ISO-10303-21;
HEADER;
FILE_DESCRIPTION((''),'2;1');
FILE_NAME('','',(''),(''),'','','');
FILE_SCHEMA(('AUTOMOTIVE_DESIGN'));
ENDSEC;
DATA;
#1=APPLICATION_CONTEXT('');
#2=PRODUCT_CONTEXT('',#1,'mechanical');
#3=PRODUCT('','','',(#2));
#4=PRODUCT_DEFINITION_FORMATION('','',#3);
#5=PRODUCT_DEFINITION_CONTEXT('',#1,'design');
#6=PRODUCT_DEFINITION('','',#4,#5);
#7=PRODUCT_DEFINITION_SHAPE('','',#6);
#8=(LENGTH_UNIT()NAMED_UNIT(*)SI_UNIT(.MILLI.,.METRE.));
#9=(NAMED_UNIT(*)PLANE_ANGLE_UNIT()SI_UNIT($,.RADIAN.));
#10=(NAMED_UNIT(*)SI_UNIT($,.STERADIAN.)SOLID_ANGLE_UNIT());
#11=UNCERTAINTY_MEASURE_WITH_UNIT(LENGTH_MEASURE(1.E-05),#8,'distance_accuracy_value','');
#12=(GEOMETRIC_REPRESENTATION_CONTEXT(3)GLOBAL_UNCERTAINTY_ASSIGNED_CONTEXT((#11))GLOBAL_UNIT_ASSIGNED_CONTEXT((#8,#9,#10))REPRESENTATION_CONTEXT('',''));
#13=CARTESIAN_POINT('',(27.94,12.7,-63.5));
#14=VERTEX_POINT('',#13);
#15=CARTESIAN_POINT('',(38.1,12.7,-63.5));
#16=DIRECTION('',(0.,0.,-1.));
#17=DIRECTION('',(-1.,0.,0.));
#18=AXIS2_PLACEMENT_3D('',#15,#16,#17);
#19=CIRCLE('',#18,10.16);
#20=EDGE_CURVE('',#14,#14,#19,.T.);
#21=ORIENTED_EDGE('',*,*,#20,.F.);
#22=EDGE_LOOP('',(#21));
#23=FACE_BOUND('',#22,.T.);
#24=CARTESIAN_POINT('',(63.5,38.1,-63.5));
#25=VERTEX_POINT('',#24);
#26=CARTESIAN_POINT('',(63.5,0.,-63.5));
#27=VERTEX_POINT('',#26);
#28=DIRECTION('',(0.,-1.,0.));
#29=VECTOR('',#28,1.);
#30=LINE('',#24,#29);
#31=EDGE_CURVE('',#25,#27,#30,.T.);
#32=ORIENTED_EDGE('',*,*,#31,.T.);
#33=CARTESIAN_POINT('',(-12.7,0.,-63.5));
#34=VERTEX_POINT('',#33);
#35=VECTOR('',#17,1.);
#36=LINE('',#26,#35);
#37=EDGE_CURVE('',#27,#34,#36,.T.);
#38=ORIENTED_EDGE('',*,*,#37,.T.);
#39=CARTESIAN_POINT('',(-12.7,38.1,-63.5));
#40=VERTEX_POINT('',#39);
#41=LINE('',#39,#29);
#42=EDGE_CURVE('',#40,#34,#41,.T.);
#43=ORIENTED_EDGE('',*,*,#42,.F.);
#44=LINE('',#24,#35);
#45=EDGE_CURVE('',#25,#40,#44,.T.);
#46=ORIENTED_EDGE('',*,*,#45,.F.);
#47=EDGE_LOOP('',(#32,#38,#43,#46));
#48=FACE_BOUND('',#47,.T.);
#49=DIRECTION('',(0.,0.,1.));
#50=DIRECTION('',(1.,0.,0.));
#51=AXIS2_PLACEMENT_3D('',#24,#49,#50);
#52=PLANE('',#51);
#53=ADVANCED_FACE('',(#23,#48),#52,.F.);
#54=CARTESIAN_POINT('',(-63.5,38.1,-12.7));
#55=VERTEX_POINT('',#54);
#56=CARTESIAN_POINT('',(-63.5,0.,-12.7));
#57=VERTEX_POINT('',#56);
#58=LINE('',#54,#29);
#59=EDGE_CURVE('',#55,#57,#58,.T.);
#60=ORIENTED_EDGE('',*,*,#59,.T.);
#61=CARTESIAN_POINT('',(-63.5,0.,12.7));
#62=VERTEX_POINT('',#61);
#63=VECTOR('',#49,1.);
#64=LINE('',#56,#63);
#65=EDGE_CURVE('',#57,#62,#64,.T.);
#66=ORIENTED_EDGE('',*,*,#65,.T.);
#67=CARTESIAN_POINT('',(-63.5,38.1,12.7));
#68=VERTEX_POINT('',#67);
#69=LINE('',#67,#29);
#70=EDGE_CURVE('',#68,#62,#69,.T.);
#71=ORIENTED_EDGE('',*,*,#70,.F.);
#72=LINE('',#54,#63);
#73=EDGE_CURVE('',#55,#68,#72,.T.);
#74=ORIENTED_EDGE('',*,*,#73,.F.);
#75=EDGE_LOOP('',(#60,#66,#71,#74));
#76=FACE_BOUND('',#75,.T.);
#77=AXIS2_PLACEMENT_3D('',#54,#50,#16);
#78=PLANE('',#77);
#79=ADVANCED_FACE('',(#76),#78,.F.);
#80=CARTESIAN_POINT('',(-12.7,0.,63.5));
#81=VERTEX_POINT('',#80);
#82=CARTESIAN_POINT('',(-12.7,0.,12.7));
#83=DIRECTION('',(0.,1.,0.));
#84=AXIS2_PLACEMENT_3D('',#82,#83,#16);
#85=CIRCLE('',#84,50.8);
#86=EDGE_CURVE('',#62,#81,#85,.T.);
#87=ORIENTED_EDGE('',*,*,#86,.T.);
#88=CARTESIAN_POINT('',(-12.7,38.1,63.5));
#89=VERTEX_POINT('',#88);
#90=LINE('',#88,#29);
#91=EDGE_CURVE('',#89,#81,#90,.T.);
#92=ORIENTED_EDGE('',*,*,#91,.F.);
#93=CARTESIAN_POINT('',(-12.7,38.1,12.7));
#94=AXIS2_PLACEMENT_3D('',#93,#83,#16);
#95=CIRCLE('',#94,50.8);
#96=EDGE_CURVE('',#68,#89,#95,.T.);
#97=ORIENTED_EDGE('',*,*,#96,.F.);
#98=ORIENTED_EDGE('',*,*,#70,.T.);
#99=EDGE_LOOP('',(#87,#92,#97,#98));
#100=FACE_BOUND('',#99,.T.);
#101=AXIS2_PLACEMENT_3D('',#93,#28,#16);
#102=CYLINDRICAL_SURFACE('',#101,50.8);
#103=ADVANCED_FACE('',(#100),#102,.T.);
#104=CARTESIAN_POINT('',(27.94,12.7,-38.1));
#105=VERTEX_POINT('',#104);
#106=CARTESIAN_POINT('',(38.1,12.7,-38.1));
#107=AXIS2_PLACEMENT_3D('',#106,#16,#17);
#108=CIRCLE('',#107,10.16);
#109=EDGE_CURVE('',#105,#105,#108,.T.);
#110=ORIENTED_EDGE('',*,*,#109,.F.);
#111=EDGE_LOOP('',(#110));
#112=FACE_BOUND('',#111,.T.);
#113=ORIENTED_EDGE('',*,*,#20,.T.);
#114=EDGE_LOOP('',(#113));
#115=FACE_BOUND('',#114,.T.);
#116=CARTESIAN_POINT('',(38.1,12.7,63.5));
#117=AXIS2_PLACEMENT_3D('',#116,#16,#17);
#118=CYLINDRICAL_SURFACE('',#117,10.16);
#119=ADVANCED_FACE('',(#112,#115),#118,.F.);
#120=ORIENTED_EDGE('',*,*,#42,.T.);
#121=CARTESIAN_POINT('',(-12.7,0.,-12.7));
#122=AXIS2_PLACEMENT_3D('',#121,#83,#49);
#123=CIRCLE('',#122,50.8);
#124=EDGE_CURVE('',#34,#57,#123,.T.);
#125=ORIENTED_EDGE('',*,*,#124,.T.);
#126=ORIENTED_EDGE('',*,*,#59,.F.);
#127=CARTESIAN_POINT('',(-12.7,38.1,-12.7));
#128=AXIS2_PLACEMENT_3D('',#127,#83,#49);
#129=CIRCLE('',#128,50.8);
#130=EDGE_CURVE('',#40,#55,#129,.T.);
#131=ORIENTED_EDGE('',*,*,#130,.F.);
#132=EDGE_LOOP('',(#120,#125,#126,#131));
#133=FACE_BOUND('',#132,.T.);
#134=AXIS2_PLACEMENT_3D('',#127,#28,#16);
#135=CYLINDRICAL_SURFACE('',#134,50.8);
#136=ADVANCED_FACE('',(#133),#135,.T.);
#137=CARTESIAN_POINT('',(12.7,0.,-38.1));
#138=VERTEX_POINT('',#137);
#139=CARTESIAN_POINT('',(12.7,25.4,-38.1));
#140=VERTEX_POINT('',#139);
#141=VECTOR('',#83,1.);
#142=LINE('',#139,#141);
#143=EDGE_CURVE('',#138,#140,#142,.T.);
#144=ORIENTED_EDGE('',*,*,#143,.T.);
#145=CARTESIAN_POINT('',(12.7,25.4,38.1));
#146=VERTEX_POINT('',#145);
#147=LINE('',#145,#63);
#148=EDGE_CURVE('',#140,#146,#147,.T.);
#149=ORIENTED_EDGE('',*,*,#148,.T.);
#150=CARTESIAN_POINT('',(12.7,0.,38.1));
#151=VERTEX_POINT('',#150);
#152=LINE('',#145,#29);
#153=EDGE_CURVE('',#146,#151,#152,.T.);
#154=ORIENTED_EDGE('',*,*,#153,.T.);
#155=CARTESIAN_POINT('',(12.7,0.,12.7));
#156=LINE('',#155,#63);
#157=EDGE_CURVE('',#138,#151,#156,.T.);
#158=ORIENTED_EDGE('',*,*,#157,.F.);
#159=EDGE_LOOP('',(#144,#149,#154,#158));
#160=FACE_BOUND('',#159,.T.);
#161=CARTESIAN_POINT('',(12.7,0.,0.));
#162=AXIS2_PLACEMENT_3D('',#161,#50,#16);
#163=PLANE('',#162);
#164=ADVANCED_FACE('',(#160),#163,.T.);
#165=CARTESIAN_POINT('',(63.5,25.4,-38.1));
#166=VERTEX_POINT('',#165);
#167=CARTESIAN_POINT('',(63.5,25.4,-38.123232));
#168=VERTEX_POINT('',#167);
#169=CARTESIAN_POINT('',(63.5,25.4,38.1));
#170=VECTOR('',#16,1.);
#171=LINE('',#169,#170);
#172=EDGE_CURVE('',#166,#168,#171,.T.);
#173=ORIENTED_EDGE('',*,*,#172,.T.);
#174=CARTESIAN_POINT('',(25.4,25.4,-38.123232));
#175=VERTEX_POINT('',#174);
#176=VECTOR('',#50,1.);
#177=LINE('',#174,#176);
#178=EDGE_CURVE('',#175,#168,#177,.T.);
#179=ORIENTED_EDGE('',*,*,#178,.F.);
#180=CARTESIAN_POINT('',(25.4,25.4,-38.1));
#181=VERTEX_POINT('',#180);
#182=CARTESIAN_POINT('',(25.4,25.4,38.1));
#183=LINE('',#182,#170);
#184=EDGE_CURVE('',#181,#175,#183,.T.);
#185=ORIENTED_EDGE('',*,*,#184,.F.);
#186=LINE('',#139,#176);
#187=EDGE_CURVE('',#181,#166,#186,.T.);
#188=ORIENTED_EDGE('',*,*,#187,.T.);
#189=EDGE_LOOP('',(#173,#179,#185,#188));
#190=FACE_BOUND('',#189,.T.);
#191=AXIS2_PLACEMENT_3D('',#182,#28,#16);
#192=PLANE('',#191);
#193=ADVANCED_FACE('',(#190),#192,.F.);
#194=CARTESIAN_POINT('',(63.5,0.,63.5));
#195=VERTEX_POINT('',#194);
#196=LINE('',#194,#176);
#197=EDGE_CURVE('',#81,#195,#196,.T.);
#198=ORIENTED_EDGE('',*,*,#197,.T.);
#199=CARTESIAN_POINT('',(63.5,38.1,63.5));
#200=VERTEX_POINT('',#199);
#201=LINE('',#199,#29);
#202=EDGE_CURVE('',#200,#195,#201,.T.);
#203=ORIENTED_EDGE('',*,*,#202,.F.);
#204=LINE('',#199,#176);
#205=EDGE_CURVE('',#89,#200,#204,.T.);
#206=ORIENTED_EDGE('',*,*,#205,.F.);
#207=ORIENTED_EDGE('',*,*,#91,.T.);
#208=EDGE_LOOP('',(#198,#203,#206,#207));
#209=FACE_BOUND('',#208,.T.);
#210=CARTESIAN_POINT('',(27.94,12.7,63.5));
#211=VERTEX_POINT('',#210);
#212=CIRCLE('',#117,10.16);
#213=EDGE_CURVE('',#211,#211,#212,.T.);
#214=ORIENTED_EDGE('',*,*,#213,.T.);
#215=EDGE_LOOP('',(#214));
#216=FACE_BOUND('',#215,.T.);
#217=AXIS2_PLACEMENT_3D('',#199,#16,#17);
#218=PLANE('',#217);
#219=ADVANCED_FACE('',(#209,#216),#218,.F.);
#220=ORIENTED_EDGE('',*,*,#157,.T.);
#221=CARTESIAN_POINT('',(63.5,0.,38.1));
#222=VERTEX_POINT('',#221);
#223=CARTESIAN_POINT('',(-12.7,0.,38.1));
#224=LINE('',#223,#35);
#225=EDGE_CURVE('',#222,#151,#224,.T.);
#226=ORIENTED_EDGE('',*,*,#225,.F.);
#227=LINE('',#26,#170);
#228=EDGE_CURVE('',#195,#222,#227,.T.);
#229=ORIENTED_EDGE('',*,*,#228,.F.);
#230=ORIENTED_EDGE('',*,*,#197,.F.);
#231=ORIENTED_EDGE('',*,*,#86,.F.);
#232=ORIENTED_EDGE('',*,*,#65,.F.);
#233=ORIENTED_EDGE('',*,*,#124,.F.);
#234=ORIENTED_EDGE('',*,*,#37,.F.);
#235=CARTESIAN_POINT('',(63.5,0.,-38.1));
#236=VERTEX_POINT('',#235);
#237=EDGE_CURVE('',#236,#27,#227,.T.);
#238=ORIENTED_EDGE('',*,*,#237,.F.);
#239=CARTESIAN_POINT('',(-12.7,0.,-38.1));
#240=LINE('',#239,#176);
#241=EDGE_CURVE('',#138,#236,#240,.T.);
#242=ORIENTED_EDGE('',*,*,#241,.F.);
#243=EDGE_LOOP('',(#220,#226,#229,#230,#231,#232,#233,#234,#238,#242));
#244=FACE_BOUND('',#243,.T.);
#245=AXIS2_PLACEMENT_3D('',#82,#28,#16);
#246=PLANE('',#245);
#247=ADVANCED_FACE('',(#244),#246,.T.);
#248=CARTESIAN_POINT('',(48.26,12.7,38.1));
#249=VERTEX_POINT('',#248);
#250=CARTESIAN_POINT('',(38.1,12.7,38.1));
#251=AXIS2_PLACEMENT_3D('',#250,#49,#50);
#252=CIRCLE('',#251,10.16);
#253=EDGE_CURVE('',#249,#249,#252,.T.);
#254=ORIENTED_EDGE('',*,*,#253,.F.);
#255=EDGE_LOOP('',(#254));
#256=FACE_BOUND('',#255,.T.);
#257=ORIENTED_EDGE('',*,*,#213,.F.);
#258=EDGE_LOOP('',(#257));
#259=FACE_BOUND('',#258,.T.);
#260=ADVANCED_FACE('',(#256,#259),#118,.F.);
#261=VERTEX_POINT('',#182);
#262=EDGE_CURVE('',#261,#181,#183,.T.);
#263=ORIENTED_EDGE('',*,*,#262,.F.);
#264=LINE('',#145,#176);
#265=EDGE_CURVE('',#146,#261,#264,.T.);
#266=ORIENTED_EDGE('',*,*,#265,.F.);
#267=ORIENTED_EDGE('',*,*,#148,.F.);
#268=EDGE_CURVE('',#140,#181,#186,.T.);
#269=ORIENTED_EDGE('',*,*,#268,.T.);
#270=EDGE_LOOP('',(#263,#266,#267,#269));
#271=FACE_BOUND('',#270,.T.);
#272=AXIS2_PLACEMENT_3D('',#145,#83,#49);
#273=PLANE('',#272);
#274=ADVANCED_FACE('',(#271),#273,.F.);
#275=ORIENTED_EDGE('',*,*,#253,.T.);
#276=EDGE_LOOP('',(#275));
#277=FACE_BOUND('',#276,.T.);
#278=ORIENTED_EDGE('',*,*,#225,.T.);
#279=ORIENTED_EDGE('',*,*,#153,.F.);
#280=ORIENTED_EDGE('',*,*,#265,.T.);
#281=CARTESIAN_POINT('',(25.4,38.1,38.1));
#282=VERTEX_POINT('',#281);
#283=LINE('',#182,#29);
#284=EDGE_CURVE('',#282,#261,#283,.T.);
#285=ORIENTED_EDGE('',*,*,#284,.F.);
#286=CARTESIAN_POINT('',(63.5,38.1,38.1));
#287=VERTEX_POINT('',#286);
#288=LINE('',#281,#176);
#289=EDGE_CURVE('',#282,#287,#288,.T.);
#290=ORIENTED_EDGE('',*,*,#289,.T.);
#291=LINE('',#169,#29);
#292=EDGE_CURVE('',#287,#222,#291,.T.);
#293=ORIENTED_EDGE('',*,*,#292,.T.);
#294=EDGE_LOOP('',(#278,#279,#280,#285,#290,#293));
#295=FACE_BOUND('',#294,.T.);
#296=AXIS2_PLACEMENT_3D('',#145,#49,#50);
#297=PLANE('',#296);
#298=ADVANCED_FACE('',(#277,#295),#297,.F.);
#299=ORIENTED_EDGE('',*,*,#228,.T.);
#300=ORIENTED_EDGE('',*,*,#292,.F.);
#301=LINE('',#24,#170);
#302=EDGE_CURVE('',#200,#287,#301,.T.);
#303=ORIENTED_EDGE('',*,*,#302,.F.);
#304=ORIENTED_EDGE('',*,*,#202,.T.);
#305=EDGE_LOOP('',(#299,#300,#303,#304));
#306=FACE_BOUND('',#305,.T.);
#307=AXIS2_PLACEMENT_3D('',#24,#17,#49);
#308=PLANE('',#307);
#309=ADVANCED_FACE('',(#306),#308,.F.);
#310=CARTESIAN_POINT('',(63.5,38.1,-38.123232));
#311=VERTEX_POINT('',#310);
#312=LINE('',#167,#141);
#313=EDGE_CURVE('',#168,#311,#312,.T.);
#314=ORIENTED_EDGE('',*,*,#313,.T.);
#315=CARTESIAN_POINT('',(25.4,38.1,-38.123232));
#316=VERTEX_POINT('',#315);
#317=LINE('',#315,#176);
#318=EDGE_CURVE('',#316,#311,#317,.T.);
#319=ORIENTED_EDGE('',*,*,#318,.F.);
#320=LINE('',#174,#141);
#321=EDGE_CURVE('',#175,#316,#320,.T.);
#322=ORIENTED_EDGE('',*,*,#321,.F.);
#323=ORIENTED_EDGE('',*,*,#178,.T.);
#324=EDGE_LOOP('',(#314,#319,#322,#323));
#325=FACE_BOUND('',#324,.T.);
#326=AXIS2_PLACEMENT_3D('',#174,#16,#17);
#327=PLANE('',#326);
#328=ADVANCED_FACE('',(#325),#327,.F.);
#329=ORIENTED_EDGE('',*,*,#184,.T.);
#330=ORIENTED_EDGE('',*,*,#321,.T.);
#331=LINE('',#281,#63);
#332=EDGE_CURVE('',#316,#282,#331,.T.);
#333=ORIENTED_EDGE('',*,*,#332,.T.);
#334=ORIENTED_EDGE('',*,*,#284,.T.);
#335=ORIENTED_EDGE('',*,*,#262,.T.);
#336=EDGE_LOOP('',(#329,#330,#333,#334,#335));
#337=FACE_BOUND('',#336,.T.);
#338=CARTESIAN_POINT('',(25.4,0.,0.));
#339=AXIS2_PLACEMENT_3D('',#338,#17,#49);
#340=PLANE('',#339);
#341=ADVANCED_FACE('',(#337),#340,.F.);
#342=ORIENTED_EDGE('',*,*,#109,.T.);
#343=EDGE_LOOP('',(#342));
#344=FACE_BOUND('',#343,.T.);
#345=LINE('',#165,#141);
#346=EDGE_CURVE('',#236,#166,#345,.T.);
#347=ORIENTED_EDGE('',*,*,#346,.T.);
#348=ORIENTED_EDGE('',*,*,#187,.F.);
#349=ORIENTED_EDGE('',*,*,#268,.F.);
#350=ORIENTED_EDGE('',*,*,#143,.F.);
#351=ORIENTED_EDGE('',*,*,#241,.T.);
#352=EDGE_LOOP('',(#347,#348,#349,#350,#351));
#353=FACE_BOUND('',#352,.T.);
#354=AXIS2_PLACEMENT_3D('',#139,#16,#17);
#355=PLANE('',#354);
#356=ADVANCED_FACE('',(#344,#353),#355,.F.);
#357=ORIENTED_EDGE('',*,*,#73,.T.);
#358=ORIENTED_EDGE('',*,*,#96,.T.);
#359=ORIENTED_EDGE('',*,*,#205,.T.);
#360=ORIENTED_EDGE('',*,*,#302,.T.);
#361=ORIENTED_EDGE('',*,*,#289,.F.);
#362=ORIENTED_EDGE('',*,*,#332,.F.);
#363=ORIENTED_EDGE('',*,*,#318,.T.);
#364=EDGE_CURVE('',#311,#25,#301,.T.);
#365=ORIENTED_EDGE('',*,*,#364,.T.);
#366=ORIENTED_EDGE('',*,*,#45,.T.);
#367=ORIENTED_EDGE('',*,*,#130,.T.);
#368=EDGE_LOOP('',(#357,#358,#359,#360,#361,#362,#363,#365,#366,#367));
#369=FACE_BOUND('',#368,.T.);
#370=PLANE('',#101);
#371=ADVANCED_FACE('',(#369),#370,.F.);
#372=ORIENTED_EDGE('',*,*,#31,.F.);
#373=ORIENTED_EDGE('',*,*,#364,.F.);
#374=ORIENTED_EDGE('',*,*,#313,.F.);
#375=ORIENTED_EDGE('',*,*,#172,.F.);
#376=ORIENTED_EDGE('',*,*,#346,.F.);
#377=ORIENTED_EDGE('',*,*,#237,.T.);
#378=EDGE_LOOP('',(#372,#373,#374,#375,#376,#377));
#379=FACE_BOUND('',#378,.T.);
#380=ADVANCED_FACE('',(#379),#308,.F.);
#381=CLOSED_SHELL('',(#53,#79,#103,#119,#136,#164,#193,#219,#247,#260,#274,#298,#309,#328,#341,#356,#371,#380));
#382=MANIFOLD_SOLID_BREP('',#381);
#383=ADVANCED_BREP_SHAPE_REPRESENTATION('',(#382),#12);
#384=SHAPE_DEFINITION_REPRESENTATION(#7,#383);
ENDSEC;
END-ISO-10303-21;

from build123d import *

# Parameters (mm, degrees)
BOSS_EXTRUDE1_DEPTH     = 38.1
SKETCH2_W               = 76.2
SKETCH2_H               = 50.8
CUT_EXTRUDE1_DEPTH      = 50.8
CUT_EXTRUDE2_DEPTH      = 126.723585695
CUT_EXTRUDE2_DEPTH_BACK = 126.723585695
SKETCH3_R               = 10.16
SKETCH6_W               = 76.223232364
SKETCH6_H               = 12.7
CUT_EXTRUDE4_DEPTH      = 38.1


with BuildPart() as part:
    # Sketch1 → Boss-Extrude1 (new body)
    with BuildSketch(Plane(origin=(0, 0, 0), x_dir=(1, 0, 0), z_dir=(0, 1, 0))):
        with BuildLine():
            Line((63.5, 63.5), (-12.7, 63.5))
            ThreePointArc((-12.7, 63.5), (-48.621024484, 48.621024484), (-63.5, 12.7))
            Line((-63.5, 12.7), (-63.5, -12.7))
            ThreePointArc((-63.5, -12.7), (-48.621024484, -48.621024484), (-12.7, -63.5))
            Line((-12.7, -63.5), (63.5, -63.5))
            Line((63.5, -63.5), (63.5, 63.5))
        make_face()
    extrude(amount=BOSS_EXTRUDE1_DEPTH)

    # Sketch2 → Cut-Extrude1 (cut)
    with BuildSketch(Plane(origin=(63.5, 0, 0), x_dir=(0, 0, -1), z_dir=(1, 0, 0))):
        Rectangle(SKETCH2_W, SKETCH2_H)
    extrude(amount=-CUT_EXTRUDE1_DEPTH, mode=Mode.SUBTRACT)

    # Sketch3 → Cut-Extrude2 (cut, two sides: drawn at the far end of the back side and taken through both)
    with BuildSketch(Plane(origin=(0, 0, 38.1), x_dir=(-1, 0, 0), z_dir=(0, 0, -1)).offset(-CUT_EXTRUDE2_DEPTH_BACK)):
        with Locations((-38.1, 12.7)):
            Circle(SKETCH3_R)
    extrude(amount=CUT_EXTRUDE2_DEPTH + CUT_EXTRUDE2_DEPTH_BACK, mode=Mode.SUBTRACT)

    # Sketch6 → Cut-Extrude4 (cut)
    with BuildSketch(Plane(origin=(63.5, 0, 0), x_dir=(0, 0, -1), z_dir=(1, 0, 0))):
        with Locations((0.011616182, 31.75)):
            Rectangle(SKETCH6_W, SKETCH6_H)
    extrude(amount=-CUT_EXTRUDE4_DEPTH, mode=Mode.SUBTRACT)


solid = part.part
